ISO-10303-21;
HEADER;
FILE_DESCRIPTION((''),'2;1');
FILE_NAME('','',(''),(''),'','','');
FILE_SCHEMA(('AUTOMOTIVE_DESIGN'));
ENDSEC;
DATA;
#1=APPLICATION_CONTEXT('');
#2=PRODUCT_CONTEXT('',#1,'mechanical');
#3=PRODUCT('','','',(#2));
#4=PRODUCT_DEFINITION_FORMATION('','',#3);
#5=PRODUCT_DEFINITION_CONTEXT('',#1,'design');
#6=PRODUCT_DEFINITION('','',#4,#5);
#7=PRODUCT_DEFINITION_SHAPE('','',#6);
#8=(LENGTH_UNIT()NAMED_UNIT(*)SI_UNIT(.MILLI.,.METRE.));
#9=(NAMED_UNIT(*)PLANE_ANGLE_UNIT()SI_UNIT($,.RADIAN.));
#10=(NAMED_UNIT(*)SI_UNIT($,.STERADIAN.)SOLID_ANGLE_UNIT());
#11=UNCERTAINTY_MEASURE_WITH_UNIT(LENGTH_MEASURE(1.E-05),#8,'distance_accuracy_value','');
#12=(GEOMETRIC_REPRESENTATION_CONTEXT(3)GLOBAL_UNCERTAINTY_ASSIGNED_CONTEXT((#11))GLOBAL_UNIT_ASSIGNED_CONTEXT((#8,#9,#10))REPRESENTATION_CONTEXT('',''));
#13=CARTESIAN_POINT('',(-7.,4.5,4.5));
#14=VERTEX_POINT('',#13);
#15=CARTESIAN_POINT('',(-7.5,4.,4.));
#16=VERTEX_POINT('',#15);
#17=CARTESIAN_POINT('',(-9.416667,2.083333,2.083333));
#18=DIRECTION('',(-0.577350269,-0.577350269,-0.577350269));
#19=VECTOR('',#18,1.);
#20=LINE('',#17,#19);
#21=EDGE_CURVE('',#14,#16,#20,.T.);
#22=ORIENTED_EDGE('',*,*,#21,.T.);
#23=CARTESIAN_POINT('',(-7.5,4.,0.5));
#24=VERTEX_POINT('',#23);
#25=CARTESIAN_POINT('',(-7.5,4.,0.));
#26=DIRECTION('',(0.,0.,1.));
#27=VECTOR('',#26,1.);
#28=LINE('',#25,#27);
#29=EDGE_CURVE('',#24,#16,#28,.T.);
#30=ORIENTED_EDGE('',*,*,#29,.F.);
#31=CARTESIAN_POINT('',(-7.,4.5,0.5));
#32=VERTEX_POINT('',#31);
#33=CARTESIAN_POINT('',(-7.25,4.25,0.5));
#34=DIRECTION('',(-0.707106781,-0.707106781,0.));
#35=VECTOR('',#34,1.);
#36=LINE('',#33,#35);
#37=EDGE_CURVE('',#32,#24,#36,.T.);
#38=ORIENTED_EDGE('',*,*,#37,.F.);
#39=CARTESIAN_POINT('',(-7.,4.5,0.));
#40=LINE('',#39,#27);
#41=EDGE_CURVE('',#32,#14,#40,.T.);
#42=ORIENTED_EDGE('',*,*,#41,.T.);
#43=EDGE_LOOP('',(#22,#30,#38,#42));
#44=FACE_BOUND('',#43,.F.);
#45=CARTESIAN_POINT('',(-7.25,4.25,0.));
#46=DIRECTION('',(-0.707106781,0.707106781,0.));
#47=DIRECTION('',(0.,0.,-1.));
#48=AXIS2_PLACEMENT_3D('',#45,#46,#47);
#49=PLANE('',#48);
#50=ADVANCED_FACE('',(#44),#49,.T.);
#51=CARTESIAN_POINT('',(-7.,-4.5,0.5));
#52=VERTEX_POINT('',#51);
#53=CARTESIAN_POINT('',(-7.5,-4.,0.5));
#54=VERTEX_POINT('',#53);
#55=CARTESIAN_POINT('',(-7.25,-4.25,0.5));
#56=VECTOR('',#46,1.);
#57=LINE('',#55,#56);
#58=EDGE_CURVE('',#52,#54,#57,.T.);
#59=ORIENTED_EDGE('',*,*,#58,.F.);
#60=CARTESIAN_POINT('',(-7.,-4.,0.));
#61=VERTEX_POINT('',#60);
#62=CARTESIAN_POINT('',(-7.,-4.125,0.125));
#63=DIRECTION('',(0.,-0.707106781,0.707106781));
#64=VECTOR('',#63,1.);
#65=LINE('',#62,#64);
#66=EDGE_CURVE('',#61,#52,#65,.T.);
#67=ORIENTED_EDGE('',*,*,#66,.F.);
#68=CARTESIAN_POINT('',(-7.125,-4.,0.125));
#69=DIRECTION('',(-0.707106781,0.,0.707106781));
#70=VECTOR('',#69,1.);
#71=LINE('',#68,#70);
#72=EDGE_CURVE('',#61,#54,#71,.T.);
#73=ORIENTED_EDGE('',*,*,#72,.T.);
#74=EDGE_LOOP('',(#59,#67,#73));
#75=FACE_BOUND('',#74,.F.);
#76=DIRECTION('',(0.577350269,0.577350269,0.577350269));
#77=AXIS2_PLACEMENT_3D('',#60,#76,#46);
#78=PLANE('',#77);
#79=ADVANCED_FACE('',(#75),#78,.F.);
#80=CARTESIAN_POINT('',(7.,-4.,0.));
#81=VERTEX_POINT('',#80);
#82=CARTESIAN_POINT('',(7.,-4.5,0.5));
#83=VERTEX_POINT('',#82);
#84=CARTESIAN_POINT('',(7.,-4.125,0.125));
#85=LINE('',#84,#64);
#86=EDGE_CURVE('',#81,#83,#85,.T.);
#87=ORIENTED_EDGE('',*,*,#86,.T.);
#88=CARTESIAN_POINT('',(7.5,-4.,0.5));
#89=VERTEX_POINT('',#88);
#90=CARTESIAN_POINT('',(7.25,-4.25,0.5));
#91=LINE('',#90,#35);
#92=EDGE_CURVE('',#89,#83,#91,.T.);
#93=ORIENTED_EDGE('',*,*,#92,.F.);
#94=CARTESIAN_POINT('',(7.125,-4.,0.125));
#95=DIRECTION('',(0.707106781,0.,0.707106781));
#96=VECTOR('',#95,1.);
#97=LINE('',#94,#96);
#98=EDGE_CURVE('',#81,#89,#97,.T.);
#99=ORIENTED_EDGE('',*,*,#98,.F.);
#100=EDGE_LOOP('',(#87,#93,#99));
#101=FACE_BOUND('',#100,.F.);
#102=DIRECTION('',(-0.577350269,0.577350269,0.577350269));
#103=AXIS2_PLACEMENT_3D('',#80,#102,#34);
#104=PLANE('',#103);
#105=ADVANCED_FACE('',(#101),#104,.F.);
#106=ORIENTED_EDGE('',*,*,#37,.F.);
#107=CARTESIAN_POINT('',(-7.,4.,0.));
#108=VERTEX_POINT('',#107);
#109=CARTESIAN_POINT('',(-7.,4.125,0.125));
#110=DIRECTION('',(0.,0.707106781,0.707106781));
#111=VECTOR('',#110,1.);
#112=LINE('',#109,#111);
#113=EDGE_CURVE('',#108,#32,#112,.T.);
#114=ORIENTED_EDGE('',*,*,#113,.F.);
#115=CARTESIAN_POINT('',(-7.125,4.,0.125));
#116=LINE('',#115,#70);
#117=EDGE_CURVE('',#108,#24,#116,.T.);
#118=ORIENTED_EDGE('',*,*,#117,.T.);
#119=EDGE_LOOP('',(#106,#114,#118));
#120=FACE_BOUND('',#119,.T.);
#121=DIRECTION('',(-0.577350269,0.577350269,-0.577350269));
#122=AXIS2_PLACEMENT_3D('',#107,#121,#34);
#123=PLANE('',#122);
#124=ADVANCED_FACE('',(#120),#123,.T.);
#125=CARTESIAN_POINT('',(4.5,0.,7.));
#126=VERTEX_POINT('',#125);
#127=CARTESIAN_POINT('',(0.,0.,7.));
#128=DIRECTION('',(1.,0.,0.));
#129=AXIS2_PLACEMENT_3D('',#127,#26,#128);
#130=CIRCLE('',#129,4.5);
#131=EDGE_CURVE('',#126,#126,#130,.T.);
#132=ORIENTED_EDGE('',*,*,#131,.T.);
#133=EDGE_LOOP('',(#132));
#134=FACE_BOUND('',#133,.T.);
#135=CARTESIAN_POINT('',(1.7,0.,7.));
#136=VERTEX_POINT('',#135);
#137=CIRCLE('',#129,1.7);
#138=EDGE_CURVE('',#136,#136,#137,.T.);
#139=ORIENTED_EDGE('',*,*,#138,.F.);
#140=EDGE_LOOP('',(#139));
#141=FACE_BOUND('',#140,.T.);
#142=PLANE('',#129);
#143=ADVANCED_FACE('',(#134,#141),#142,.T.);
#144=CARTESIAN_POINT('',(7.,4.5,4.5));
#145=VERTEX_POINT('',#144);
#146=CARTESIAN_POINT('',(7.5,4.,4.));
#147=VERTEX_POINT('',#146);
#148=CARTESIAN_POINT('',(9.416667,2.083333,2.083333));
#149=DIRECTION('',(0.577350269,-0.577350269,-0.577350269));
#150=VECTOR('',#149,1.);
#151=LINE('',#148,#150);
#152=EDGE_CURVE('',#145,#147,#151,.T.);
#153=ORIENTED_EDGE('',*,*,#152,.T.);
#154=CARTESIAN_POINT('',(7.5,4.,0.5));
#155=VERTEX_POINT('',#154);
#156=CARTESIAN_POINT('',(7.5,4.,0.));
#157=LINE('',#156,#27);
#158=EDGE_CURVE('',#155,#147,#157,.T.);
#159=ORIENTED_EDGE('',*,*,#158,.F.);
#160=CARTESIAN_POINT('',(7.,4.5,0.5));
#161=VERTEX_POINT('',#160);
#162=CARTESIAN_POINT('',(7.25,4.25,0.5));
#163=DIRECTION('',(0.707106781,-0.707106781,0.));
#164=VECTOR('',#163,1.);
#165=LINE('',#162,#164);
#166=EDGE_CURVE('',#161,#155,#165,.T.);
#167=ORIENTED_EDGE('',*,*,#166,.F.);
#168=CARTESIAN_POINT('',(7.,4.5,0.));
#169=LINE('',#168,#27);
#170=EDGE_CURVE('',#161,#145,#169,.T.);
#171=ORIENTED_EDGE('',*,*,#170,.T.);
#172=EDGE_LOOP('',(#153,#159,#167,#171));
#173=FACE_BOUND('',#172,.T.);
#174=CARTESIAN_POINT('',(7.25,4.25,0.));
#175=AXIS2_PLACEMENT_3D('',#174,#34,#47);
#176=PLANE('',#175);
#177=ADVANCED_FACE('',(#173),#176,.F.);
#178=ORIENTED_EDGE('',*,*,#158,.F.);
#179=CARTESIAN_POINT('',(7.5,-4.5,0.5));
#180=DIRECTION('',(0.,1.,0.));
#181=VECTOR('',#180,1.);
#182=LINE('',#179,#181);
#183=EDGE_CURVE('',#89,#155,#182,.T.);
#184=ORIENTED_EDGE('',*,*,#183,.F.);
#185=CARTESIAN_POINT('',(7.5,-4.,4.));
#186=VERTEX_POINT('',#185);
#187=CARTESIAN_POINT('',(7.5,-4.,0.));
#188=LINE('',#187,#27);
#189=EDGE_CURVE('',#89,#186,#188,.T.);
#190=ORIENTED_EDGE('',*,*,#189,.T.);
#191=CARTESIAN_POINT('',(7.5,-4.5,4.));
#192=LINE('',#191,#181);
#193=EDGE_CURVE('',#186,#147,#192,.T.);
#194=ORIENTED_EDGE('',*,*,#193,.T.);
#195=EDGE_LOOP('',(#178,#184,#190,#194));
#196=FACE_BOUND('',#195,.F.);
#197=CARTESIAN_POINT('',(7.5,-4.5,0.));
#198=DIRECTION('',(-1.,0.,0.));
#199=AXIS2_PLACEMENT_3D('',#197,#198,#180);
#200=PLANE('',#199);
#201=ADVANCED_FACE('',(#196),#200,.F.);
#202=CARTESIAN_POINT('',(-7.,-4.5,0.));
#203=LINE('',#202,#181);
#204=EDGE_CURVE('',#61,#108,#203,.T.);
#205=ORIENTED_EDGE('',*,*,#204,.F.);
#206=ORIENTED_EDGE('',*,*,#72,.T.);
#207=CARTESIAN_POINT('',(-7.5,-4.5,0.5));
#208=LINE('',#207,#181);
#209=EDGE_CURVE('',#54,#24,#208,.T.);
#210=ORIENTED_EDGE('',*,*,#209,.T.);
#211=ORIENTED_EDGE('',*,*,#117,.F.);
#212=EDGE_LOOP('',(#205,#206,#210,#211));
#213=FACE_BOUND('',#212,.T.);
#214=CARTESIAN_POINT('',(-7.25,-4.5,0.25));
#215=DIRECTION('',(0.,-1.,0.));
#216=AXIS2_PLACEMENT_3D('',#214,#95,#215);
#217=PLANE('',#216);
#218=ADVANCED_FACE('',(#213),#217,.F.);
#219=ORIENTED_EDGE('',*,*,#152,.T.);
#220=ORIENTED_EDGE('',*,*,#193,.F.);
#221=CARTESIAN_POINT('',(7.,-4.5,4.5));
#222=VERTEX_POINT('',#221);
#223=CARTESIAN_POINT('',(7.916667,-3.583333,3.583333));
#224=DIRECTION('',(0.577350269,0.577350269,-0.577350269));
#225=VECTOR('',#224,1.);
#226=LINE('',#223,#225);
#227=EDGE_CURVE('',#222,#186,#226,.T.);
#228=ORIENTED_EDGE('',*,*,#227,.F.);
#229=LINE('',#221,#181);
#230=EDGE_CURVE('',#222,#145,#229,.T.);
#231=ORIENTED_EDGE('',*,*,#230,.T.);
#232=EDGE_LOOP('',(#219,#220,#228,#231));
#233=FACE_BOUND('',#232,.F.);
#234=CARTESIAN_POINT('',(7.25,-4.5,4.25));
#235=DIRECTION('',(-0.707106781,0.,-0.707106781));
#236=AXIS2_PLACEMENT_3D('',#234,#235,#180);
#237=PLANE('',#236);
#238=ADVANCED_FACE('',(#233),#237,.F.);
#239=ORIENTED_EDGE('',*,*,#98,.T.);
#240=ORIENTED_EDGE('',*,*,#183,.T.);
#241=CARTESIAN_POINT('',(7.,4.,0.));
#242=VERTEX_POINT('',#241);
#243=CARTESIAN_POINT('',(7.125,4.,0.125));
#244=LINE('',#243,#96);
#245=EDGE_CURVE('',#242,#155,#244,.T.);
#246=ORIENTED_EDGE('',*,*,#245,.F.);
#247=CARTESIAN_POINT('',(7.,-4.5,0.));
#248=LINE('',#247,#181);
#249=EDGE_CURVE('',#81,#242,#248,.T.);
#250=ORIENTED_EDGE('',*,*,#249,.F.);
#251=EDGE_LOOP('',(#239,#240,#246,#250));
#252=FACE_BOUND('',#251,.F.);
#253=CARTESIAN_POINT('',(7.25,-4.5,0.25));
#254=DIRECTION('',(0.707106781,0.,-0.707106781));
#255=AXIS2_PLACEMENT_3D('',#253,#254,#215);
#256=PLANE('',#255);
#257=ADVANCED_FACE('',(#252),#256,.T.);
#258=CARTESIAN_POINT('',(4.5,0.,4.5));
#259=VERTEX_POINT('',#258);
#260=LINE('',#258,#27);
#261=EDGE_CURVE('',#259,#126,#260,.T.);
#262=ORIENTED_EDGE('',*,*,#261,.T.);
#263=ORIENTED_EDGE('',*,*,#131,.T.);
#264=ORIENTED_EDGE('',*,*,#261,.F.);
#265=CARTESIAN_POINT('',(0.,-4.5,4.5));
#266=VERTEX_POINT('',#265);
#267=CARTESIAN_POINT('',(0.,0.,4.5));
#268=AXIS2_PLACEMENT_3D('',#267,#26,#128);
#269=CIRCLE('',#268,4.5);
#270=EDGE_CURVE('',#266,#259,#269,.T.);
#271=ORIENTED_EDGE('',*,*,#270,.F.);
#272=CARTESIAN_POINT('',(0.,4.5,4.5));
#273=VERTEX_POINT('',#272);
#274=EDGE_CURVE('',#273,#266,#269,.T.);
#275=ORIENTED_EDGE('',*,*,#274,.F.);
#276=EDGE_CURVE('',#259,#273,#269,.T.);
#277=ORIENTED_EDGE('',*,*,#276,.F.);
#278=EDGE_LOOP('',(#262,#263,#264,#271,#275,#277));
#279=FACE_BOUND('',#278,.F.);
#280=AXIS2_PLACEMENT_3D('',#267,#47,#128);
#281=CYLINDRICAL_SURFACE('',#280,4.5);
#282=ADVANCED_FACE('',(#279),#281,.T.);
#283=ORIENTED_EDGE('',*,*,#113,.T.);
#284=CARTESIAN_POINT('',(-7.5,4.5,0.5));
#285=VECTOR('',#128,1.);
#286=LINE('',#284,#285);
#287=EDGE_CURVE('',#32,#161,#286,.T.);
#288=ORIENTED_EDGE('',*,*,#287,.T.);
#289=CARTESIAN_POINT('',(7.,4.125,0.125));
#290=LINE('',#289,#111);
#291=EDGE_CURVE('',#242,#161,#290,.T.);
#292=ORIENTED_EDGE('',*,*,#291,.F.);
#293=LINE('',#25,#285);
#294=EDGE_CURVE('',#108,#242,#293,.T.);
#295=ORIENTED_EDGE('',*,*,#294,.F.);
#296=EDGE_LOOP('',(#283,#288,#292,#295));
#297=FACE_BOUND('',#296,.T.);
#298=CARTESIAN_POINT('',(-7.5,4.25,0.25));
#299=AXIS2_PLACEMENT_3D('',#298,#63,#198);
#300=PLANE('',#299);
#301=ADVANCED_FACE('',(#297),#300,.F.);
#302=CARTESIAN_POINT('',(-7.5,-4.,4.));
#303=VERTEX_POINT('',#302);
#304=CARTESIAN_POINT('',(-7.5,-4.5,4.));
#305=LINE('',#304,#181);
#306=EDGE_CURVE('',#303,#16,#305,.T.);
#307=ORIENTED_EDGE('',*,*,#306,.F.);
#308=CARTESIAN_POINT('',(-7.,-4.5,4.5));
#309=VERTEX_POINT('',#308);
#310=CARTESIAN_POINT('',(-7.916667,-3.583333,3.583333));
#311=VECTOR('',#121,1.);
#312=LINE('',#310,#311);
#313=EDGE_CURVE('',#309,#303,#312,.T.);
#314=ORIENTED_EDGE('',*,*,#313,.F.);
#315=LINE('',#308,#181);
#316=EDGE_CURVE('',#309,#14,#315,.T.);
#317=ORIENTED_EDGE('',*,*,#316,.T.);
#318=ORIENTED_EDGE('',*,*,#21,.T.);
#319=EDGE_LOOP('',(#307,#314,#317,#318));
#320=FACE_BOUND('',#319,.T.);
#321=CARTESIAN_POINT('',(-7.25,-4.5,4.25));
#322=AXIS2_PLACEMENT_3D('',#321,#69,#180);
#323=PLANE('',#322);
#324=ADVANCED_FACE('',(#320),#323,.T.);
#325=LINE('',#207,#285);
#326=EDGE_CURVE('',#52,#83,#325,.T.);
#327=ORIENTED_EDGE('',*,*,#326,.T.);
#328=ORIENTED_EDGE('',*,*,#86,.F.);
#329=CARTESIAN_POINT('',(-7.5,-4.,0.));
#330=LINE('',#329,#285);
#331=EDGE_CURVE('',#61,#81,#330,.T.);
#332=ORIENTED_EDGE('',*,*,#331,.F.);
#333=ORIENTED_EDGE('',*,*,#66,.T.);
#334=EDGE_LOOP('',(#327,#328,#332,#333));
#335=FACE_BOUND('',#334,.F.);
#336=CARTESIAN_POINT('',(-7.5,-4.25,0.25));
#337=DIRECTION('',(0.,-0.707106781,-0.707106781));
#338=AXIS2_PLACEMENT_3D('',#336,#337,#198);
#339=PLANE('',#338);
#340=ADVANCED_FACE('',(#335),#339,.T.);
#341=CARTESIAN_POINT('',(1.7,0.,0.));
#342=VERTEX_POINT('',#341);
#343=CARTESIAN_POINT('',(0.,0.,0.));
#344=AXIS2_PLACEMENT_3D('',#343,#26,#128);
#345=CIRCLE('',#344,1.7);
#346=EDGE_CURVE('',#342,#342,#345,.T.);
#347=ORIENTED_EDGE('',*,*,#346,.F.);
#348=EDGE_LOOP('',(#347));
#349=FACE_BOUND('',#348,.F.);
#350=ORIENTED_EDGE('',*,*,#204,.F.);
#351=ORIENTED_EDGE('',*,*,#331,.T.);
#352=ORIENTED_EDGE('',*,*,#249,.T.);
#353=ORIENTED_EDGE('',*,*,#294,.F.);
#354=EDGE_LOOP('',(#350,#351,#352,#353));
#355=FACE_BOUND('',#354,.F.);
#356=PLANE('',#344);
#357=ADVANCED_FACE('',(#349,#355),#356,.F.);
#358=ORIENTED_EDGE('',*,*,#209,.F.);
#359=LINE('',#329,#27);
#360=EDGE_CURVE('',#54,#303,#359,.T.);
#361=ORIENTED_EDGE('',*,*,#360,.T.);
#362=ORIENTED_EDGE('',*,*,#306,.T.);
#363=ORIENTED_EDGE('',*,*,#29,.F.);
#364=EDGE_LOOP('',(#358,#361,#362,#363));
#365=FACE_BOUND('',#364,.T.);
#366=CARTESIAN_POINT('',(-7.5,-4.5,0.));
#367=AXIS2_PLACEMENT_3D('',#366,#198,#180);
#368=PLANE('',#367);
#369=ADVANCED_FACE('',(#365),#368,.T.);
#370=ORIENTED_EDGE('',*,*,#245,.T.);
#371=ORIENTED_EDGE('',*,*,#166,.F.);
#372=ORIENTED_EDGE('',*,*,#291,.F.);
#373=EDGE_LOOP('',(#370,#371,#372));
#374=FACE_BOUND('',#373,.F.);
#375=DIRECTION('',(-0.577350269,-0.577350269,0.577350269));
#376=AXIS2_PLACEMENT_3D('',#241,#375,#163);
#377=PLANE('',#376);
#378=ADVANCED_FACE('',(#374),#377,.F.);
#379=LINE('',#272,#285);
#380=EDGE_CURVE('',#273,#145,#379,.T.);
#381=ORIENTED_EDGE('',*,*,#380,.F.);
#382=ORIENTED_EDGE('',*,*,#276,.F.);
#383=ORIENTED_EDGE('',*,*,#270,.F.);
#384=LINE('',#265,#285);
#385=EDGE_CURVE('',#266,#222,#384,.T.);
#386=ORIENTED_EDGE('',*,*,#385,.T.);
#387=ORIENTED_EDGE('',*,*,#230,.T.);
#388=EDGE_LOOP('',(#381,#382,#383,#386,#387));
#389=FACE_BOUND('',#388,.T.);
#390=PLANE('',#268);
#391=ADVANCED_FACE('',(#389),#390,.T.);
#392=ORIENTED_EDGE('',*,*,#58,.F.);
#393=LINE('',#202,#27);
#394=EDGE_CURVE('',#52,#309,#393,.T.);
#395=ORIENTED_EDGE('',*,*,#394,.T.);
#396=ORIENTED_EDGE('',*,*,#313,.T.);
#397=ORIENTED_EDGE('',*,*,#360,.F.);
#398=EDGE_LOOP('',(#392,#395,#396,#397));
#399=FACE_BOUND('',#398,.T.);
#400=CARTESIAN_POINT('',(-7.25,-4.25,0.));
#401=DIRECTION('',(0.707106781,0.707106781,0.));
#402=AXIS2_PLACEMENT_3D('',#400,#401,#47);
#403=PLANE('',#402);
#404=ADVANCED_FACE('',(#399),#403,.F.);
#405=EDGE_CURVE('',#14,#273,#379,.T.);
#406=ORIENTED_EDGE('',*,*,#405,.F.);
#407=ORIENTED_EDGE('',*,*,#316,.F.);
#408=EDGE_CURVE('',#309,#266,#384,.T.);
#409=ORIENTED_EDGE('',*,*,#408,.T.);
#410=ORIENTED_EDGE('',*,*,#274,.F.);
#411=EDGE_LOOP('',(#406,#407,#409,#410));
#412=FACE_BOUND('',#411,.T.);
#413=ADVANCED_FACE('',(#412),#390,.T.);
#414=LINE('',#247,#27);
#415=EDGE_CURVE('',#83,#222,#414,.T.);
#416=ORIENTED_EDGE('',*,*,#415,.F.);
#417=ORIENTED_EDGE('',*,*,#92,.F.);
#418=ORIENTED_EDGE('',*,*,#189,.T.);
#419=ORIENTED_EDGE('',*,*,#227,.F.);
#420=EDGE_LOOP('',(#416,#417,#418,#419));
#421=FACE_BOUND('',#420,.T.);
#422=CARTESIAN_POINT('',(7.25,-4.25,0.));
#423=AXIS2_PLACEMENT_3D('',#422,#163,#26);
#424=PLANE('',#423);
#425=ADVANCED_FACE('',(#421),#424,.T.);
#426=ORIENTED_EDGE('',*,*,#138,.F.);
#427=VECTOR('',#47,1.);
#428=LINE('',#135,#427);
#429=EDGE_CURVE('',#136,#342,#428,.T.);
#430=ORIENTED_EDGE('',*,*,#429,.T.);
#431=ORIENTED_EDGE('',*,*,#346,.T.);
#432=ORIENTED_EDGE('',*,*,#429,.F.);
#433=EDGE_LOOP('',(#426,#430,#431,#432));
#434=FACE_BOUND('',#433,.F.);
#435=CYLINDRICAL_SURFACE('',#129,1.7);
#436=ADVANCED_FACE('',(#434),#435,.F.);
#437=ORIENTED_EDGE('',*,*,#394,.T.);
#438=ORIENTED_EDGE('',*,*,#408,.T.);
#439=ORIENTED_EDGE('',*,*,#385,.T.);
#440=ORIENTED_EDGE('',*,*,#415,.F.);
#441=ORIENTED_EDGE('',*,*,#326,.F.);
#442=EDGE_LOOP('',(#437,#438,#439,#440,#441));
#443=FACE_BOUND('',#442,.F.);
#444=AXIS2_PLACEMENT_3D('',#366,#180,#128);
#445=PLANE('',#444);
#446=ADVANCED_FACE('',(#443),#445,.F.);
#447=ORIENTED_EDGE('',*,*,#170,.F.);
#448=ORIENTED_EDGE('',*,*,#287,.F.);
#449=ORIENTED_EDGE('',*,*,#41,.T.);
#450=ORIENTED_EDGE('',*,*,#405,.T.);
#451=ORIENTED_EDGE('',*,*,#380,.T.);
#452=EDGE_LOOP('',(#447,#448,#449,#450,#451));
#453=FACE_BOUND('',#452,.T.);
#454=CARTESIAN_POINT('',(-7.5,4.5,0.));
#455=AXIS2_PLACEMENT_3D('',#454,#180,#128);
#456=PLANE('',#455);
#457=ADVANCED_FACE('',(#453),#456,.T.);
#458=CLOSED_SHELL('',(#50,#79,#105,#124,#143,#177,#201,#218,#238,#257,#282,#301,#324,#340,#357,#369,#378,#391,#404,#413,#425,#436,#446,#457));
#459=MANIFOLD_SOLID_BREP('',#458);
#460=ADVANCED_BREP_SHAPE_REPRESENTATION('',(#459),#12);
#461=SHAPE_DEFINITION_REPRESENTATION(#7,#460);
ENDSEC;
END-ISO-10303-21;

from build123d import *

# Parameters (mm, degrees)
F0_W     = 15
F0_H     = 9
F1_DEPTH = 4.5
F2_R     = 4.5
F3_DEPTH = 2.5
F4_R     = 1.7
F5_DEPTH = 7.001
F6_SIZE  = 0.5


with BuildPart() as f1:
    # F0 (on Top) → F1 (new body)
    with BuildSketch(Plane.XY):
        Rectangle(F0_W, F0_H)
    extrude(amount=F1_DEPTH)

    # F2 (on face) → F3 (join)
    with BuildSketch(Plane.XY.offset(4.5)):
        Circle(F2_R)
    extrude(amount=F3_DEPTH)

    # F4 (on face) → F5 (cut, through all)
    with BuildSketch(Plane.XY.offset(7)):
        Circle(F4_R)
    extrude(amount=-F5_DEPTH, mode=Mode.SUBTRACT)

    # F6
    f6_edges = [f1.edges().sort_by_distance(p)[0] for p in [
        (-7.5, 0, 4.5),
        (7.5, 0, 4.5),
        (-7.5, -4.5, 2.25),
        (-7.5, 4.5, 2.25),
        (7.5, -4.5, 2.25),
        (7.5, 4.5, 2.25),
        (0, 4.5, 0),
        (7.5, 0, 0),
        (0, -4.5, 0),
        (-7.5, 0, 0),
    ]]
    chamfer(f6_edges, length=F6_SIZE)


solid = f1.part
